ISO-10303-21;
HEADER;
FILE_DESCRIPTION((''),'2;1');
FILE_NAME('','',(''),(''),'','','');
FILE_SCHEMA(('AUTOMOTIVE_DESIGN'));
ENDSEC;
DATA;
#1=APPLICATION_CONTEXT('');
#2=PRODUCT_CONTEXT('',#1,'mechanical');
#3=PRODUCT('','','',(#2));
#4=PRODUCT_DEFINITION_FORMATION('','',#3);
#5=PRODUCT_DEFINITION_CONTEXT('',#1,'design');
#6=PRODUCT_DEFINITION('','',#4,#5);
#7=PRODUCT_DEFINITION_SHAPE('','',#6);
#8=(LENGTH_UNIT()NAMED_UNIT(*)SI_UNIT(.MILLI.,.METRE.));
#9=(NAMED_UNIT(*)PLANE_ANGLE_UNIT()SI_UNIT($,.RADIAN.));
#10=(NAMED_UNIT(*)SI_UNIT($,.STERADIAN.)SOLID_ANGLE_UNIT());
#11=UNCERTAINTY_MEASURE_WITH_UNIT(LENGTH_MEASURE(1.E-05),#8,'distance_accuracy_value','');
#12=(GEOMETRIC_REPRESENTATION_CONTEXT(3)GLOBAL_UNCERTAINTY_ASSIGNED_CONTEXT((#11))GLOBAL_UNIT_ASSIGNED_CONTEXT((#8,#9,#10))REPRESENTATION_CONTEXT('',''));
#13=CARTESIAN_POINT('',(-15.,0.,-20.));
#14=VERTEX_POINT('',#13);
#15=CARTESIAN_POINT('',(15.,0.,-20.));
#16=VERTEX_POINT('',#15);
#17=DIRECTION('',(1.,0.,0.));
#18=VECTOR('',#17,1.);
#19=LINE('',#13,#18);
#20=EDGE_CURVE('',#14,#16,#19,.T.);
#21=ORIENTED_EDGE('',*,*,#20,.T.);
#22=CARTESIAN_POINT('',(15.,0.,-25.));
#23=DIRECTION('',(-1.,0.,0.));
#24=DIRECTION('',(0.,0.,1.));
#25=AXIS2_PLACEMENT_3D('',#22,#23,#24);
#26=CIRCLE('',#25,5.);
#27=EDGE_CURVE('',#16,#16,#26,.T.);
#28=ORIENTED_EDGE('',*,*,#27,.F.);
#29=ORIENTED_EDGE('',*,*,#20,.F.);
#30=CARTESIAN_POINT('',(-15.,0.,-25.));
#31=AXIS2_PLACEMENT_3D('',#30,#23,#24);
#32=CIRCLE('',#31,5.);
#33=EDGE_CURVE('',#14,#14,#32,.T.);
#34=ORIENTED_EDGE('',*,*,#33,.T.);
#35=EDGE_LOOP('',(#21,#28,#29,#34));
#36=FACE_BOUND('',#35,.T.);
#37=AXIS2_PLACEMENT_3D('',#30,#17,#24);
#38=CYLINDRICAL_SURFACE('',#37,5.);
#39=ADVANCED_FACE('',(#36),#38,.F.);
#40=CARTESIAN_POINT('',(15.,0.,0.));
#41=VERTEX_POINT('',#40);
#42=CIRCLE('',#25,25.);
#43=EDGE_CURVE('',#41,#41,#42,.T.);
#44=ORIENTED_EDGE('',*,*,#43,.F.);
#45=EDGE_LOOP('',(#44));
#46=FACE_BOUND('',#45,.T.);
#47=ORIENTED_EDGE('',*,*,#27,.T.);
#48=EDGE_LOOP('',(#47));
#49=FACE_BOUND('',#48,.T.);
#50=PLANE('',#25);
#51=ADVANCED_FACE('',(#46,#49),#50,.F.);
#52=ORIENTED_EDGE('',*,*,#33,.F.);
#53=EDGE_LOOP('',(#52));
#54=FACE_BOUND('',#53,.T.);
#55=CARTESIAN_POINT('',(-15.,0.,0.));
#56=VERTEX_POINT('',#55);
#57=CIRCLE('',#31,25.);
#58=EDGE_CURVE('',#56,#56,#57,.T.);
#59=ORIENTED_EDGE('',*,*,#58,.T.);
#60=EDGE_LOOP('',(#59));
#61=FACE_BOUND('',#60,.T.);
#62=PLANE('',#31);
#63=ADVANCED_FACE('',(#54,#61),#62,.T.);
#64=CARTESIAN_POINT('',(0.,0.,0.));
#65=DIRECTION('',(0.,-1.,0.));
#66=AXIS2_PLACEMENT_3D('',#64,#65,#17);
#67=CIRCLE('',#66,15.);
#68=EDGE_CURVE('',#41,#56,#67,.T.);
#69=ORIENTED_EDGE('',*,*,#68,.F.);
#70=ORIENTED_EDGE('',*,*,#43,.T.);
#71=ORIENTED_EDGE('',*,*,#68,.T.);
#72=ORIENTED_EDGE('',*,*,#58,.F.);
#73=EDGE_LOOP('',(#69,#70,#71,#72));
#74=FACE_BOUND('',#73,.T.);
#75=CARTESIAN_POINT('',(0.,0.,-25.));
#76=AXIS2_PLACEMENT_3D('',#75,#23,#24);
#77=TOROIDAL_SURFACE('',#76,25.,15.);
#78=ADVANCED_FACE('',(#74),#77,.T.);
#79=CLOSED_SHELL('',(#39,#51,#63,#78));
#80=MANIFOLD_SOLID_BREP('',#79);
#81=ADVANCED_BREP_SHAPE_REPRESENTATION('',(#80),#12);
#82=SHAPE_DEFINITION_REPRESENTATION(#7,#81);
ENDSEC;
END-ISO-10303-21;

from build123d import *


with BuildPart() as f1:
    # F0 (on Front) → F1 (revolve)
    with BuildSketch(Plane.XZ):
        with BuildLine():
            Line((15, -20), (15, 0))
            ThreePointArc((15, 0), (0, 15), (-15, 0))
            Line((-15, 0), (-15, -20))
            Line((-15, -20), (15, -20))
        make_face()
    revolve(axis=Axis((-25, 0, -25), (-1, 0, 0)))


solid = f1.part
